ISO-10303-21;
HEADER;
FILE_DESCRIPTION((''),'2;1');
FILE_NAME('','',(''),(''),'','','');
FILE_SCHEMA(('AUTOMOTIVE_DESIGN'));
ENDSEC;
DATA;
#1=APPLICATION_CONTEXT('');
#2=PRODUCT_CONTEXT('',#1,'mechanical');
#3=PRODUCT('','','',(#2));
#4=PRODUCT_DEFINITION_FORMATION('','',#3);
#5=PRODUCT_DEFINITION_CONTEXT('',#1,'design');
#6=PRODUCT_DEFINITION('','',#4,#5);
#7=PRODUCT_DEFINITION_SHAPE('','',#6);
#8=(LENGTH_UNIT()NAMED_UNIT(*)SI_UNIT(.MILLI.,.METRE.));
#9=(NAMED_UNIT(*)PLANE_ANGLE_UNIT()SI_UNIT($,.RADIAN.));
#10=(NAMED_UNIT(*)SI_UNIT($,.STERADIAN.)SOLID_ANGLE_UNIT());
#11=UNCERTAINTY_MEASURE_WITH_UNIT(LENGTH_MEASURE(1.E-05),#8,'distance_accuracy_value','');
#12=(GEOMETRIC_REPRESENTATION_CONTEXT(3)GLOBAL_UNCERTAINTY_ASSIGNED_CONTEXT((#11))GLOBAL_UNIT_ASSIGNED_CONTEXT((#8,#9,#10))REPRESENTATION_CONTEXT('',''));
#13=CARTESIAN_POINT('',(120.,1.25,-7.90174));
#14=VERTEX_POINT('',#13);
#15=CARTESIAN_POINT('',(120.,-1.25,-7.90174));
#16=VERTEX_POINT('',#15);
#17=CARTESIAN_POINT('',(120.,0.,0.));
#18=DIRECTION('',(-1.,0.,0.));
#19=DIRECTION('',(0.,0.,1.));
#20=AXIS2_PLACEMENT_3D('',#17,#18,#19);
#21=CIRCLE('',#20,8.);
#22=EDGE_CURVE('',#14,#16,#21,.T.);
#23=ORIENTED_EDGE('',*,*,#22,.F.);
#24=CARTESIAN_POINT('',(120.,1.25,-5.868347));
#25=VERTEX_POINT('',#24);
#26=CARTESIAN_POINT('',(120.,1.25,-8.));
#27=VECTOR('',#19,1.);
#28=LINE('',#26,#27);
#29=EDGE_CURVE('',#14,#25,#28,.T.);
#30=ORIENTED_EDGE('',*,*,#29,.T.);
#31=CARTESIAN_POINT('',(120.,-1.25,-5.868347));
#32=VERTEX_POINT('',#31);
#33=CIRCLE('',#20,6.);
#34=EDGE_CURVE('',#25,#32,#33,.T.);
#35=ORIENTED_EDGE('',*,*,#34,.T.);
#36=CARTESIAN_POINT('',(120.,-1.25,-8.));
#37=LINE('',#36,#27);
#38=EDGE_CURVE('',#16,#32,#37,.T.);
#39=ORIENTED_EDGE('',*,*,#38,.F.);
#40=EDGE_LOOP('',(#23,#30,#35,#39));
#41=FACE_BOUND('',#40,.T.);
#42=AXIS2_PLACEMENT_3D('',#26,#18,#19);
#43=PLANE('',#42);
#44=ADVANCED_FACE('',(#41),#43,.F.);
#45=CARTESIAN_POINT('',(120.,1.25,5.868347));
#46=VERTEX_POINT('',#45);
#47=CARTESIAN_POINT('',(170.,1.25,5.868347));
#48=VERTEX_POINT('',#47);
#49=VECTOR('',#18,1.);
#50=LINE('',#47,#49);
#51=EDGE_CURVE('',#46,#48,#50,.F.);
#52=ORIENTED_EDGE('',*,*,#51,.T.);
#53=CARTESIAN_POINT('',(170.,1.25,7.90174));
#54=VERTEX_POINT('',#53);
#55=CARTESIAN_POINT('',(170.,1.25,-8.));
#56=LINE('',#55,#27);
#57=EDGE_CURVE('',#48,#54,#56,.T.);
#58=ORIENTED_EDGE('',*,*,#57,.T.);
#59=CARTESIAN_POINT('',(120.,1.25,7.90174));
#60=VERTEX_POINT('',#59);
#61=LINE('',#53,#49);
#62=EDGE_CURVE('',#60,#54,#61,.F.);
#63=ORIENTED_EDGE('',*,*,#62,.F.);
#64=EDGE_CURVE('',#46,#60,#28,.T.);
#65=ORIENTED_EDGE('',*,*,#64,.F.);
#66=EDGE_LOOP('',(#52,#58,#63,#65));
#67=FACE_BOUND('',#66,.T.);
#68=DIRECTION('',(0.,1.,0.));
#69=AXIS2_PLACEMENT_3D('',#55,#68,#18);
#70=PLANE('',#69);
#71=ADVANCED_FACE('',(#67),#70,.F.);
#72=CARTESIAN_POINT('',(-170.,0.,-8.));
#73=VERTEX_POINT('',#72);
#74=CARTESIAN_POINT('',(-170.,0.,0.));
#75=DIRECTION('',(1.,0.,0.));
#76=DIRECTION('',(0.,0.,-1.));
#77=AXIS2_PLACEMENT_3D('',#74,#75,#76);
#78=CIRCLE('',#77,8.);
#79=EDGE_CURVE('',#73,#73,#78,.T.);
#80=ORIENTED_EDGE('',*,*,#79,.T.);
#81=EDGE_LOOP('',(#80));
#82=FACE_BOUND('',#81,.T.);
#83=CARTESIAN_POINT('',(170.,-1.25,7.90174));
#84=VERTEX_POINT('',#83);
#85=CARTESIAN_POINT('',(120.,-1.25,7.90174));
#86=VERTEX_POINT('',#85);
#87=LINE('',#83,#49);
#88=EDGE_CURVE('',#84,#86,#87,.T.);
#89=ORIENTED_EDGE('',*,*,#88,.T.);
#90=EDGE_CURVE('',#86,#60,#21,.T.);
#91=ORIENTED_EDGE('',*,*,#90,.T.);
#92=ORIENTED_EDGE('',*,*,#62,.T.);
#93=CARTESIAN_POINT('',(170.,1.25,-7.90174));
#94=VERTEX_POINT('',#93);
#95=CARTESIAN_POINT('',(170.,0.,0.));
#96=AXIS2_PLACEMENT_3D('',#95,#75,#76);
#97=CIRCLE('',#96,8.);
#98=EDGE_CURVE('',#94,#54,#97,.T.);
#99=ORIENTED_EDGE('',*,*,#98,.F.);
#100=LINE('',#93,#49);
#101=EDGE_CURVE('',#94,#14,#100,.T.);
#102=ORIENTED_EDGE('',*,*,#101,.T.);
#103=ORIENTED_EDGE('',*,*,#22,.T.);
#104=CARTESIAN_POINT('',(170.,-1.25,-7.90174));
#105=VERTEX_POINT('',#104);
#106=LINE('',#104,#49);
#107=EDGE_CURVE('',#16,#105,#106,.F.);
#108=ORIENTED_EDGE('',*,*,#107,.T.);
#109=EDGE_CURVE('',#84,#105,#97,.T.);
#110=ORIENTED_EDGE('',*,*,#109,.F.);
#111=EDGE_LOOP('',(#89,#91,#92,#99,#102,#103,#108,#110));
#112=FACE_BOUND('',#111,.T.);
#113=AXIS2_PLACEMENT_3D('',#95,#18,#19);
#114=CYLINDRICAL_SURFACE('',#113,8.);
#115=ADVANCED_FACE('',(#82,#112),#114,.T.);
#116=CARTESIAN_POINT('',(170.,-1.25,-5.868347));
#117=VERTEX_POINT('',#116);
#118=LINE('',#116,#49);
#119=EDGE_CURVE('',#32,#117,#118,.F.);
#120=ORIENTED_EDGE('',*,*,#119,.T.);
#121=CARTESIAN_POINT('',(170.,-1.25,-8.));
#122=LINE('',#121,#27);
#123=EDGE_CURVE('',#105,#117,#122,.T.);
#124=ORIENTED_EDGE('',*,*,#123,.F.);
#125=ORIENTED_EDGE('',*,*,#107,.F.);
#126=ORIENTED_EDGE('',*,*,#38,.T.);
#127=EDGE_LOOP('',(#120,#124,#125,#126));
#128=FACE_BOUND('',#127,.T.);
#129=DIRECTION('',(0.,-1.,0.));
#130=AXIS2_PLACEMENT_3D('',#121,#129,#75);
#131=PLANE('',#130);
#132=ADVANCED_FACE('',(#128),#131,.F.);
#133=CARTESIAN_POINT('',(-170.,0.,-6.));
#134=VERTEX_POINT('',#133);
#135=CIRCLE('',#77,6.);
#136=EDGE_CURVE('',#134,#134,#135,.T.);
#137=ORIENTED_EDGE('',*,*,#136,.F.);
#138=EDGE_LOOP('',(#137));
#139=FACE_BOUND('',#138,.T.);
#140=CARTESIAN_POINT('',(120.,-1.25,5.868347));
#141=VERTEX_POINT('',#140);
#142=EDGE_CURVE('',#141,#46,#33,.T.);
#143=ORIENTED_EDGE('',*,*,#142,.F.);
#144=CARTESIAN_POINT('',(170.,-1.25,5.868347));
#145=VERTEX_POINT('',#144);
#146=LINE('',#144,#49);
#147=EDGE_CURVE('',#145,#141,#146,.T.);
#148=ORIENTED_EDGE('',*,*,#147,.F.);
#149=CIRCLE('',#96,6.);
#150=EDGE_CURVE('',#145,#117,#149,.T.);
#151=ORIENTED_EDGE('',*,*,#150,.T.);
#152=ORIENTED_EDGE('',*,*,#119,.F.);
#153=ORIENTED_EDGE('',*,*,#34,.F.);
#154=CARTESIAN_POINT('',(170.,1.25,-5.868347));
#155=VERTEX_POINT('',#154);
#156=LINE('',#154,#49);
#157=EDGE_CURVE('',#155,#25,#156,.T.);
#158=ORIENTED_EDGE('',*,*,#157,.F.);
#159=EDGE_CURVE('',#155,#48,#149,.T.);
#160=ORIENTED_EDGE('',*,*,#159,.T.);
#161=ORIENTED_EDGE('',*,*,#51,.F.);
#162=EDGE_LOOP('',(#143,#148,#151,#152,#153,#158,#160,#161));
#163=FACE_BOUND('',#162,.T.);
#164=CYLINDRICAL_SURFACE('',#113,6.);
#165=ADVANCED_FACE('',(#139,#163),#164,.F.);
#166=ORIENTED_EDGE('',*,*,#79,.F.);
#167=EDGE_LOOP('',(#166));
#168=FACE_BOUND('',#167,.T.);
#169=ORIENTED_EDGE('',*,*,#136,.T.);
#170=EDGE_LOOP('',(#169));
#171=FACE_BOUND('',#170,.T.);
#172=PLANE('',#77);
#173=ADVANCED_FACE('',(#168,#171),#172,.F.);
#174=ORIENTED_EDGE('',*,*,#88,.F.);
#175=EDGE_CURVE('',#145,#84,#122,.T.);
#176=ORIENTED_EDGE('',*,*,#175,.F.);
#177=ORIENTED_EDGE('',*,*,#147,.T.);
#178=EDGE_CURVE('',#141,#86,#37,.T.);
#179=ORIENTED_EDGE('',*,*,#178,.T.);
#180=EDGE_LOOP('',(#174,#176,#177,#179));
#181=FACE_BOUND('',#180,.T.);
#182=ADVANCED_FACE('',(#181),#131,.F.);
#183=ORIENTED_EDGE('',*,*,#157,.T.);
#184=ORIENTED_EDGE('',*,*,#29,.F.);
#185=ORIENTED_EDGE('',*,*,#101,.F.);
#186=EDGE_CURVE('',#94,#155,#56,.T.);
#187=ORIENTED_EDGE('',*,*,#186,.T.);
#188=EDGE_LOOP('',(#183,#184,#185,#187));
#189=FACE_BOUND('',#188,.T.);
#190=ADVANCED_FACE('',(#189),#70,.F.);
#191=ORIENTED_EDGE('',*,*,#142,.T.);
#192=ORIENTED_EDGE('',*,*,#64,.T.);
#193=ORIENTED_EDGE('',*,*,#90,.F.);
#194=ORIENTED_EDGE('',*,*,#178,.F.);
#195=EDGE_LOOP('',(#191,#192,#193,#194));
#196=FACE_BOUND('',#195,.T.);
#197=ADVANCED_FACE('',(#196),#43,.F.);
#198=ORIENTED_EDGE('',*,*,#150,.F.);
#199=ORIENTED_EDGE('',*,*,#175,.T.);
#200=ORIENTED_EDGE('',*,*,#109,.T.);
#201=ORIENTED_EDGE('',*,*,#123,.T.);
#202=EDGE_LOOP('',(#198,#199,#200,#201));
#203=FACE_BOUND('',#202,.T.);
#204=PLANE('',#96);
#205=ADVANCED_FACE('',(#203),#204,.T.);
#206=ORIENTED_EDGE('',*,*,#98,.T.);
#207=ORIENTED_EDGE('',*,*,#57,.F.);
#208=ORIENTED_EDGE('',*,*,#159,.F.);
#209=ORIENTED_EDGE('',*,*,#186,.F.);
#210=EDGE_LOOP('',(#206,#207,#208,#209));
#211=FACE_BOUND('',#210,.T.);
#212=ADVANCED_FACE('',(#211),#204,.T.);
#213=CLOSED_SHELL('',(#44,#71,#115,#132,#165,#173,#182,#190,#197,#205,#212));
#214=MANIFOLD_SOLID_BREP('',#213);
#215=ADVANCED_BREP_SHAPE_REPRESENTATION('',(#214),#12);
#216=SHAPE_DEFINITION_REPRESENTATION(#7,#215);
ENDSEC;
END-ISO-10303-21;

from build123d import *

# Parameters (mm, degrees)
SKETCH1_R               = 8
SKETCH1_R_2             = 6
BOSS_EXTRUDE1_DEPTH     = 170
SKETCH2_W               = 50
SKETCH2_H               = 2.5
CUT_EXTRUDE1_DEPTH      = 9
CUT_EXTRUDE1_DEPTH_BACK = 9


with BuildPart() as part:
    # Sketch1 → Boss-Extrude1 (new body, symmetric)
    with BuildSketch(Plane(origin=(0, 0, 0), x_dir=(0, 0, -1), z_dir=(1, 0, 0))):
        Circle(SKETCH1_R)
        Circle(SKETCH1_R_2, mode=Mode.SUBTRACT)
    extrude(amount=BOSS_EXTRUDE1_DEPTH, both=True)

    # Sketch2 → Cut-Extrude1 (cut, two sides)
    with BuildSketch(Plane.XY) as cut_extrude1_sk:
        with Locations((145, 0)):
            Rectangle(SKETCH2_W, SKETCH2_H)
    extrude(amount=CUT_EXTRUDE1_DEPTH, mode=Mode.SUBTRACT)
    extrude(cut_extrude1_sk.sketch, amount=-CUT_EXTRUDE1_DEPTH_BACK, mode=Mode.SUBTRACT)


solid = part.part
